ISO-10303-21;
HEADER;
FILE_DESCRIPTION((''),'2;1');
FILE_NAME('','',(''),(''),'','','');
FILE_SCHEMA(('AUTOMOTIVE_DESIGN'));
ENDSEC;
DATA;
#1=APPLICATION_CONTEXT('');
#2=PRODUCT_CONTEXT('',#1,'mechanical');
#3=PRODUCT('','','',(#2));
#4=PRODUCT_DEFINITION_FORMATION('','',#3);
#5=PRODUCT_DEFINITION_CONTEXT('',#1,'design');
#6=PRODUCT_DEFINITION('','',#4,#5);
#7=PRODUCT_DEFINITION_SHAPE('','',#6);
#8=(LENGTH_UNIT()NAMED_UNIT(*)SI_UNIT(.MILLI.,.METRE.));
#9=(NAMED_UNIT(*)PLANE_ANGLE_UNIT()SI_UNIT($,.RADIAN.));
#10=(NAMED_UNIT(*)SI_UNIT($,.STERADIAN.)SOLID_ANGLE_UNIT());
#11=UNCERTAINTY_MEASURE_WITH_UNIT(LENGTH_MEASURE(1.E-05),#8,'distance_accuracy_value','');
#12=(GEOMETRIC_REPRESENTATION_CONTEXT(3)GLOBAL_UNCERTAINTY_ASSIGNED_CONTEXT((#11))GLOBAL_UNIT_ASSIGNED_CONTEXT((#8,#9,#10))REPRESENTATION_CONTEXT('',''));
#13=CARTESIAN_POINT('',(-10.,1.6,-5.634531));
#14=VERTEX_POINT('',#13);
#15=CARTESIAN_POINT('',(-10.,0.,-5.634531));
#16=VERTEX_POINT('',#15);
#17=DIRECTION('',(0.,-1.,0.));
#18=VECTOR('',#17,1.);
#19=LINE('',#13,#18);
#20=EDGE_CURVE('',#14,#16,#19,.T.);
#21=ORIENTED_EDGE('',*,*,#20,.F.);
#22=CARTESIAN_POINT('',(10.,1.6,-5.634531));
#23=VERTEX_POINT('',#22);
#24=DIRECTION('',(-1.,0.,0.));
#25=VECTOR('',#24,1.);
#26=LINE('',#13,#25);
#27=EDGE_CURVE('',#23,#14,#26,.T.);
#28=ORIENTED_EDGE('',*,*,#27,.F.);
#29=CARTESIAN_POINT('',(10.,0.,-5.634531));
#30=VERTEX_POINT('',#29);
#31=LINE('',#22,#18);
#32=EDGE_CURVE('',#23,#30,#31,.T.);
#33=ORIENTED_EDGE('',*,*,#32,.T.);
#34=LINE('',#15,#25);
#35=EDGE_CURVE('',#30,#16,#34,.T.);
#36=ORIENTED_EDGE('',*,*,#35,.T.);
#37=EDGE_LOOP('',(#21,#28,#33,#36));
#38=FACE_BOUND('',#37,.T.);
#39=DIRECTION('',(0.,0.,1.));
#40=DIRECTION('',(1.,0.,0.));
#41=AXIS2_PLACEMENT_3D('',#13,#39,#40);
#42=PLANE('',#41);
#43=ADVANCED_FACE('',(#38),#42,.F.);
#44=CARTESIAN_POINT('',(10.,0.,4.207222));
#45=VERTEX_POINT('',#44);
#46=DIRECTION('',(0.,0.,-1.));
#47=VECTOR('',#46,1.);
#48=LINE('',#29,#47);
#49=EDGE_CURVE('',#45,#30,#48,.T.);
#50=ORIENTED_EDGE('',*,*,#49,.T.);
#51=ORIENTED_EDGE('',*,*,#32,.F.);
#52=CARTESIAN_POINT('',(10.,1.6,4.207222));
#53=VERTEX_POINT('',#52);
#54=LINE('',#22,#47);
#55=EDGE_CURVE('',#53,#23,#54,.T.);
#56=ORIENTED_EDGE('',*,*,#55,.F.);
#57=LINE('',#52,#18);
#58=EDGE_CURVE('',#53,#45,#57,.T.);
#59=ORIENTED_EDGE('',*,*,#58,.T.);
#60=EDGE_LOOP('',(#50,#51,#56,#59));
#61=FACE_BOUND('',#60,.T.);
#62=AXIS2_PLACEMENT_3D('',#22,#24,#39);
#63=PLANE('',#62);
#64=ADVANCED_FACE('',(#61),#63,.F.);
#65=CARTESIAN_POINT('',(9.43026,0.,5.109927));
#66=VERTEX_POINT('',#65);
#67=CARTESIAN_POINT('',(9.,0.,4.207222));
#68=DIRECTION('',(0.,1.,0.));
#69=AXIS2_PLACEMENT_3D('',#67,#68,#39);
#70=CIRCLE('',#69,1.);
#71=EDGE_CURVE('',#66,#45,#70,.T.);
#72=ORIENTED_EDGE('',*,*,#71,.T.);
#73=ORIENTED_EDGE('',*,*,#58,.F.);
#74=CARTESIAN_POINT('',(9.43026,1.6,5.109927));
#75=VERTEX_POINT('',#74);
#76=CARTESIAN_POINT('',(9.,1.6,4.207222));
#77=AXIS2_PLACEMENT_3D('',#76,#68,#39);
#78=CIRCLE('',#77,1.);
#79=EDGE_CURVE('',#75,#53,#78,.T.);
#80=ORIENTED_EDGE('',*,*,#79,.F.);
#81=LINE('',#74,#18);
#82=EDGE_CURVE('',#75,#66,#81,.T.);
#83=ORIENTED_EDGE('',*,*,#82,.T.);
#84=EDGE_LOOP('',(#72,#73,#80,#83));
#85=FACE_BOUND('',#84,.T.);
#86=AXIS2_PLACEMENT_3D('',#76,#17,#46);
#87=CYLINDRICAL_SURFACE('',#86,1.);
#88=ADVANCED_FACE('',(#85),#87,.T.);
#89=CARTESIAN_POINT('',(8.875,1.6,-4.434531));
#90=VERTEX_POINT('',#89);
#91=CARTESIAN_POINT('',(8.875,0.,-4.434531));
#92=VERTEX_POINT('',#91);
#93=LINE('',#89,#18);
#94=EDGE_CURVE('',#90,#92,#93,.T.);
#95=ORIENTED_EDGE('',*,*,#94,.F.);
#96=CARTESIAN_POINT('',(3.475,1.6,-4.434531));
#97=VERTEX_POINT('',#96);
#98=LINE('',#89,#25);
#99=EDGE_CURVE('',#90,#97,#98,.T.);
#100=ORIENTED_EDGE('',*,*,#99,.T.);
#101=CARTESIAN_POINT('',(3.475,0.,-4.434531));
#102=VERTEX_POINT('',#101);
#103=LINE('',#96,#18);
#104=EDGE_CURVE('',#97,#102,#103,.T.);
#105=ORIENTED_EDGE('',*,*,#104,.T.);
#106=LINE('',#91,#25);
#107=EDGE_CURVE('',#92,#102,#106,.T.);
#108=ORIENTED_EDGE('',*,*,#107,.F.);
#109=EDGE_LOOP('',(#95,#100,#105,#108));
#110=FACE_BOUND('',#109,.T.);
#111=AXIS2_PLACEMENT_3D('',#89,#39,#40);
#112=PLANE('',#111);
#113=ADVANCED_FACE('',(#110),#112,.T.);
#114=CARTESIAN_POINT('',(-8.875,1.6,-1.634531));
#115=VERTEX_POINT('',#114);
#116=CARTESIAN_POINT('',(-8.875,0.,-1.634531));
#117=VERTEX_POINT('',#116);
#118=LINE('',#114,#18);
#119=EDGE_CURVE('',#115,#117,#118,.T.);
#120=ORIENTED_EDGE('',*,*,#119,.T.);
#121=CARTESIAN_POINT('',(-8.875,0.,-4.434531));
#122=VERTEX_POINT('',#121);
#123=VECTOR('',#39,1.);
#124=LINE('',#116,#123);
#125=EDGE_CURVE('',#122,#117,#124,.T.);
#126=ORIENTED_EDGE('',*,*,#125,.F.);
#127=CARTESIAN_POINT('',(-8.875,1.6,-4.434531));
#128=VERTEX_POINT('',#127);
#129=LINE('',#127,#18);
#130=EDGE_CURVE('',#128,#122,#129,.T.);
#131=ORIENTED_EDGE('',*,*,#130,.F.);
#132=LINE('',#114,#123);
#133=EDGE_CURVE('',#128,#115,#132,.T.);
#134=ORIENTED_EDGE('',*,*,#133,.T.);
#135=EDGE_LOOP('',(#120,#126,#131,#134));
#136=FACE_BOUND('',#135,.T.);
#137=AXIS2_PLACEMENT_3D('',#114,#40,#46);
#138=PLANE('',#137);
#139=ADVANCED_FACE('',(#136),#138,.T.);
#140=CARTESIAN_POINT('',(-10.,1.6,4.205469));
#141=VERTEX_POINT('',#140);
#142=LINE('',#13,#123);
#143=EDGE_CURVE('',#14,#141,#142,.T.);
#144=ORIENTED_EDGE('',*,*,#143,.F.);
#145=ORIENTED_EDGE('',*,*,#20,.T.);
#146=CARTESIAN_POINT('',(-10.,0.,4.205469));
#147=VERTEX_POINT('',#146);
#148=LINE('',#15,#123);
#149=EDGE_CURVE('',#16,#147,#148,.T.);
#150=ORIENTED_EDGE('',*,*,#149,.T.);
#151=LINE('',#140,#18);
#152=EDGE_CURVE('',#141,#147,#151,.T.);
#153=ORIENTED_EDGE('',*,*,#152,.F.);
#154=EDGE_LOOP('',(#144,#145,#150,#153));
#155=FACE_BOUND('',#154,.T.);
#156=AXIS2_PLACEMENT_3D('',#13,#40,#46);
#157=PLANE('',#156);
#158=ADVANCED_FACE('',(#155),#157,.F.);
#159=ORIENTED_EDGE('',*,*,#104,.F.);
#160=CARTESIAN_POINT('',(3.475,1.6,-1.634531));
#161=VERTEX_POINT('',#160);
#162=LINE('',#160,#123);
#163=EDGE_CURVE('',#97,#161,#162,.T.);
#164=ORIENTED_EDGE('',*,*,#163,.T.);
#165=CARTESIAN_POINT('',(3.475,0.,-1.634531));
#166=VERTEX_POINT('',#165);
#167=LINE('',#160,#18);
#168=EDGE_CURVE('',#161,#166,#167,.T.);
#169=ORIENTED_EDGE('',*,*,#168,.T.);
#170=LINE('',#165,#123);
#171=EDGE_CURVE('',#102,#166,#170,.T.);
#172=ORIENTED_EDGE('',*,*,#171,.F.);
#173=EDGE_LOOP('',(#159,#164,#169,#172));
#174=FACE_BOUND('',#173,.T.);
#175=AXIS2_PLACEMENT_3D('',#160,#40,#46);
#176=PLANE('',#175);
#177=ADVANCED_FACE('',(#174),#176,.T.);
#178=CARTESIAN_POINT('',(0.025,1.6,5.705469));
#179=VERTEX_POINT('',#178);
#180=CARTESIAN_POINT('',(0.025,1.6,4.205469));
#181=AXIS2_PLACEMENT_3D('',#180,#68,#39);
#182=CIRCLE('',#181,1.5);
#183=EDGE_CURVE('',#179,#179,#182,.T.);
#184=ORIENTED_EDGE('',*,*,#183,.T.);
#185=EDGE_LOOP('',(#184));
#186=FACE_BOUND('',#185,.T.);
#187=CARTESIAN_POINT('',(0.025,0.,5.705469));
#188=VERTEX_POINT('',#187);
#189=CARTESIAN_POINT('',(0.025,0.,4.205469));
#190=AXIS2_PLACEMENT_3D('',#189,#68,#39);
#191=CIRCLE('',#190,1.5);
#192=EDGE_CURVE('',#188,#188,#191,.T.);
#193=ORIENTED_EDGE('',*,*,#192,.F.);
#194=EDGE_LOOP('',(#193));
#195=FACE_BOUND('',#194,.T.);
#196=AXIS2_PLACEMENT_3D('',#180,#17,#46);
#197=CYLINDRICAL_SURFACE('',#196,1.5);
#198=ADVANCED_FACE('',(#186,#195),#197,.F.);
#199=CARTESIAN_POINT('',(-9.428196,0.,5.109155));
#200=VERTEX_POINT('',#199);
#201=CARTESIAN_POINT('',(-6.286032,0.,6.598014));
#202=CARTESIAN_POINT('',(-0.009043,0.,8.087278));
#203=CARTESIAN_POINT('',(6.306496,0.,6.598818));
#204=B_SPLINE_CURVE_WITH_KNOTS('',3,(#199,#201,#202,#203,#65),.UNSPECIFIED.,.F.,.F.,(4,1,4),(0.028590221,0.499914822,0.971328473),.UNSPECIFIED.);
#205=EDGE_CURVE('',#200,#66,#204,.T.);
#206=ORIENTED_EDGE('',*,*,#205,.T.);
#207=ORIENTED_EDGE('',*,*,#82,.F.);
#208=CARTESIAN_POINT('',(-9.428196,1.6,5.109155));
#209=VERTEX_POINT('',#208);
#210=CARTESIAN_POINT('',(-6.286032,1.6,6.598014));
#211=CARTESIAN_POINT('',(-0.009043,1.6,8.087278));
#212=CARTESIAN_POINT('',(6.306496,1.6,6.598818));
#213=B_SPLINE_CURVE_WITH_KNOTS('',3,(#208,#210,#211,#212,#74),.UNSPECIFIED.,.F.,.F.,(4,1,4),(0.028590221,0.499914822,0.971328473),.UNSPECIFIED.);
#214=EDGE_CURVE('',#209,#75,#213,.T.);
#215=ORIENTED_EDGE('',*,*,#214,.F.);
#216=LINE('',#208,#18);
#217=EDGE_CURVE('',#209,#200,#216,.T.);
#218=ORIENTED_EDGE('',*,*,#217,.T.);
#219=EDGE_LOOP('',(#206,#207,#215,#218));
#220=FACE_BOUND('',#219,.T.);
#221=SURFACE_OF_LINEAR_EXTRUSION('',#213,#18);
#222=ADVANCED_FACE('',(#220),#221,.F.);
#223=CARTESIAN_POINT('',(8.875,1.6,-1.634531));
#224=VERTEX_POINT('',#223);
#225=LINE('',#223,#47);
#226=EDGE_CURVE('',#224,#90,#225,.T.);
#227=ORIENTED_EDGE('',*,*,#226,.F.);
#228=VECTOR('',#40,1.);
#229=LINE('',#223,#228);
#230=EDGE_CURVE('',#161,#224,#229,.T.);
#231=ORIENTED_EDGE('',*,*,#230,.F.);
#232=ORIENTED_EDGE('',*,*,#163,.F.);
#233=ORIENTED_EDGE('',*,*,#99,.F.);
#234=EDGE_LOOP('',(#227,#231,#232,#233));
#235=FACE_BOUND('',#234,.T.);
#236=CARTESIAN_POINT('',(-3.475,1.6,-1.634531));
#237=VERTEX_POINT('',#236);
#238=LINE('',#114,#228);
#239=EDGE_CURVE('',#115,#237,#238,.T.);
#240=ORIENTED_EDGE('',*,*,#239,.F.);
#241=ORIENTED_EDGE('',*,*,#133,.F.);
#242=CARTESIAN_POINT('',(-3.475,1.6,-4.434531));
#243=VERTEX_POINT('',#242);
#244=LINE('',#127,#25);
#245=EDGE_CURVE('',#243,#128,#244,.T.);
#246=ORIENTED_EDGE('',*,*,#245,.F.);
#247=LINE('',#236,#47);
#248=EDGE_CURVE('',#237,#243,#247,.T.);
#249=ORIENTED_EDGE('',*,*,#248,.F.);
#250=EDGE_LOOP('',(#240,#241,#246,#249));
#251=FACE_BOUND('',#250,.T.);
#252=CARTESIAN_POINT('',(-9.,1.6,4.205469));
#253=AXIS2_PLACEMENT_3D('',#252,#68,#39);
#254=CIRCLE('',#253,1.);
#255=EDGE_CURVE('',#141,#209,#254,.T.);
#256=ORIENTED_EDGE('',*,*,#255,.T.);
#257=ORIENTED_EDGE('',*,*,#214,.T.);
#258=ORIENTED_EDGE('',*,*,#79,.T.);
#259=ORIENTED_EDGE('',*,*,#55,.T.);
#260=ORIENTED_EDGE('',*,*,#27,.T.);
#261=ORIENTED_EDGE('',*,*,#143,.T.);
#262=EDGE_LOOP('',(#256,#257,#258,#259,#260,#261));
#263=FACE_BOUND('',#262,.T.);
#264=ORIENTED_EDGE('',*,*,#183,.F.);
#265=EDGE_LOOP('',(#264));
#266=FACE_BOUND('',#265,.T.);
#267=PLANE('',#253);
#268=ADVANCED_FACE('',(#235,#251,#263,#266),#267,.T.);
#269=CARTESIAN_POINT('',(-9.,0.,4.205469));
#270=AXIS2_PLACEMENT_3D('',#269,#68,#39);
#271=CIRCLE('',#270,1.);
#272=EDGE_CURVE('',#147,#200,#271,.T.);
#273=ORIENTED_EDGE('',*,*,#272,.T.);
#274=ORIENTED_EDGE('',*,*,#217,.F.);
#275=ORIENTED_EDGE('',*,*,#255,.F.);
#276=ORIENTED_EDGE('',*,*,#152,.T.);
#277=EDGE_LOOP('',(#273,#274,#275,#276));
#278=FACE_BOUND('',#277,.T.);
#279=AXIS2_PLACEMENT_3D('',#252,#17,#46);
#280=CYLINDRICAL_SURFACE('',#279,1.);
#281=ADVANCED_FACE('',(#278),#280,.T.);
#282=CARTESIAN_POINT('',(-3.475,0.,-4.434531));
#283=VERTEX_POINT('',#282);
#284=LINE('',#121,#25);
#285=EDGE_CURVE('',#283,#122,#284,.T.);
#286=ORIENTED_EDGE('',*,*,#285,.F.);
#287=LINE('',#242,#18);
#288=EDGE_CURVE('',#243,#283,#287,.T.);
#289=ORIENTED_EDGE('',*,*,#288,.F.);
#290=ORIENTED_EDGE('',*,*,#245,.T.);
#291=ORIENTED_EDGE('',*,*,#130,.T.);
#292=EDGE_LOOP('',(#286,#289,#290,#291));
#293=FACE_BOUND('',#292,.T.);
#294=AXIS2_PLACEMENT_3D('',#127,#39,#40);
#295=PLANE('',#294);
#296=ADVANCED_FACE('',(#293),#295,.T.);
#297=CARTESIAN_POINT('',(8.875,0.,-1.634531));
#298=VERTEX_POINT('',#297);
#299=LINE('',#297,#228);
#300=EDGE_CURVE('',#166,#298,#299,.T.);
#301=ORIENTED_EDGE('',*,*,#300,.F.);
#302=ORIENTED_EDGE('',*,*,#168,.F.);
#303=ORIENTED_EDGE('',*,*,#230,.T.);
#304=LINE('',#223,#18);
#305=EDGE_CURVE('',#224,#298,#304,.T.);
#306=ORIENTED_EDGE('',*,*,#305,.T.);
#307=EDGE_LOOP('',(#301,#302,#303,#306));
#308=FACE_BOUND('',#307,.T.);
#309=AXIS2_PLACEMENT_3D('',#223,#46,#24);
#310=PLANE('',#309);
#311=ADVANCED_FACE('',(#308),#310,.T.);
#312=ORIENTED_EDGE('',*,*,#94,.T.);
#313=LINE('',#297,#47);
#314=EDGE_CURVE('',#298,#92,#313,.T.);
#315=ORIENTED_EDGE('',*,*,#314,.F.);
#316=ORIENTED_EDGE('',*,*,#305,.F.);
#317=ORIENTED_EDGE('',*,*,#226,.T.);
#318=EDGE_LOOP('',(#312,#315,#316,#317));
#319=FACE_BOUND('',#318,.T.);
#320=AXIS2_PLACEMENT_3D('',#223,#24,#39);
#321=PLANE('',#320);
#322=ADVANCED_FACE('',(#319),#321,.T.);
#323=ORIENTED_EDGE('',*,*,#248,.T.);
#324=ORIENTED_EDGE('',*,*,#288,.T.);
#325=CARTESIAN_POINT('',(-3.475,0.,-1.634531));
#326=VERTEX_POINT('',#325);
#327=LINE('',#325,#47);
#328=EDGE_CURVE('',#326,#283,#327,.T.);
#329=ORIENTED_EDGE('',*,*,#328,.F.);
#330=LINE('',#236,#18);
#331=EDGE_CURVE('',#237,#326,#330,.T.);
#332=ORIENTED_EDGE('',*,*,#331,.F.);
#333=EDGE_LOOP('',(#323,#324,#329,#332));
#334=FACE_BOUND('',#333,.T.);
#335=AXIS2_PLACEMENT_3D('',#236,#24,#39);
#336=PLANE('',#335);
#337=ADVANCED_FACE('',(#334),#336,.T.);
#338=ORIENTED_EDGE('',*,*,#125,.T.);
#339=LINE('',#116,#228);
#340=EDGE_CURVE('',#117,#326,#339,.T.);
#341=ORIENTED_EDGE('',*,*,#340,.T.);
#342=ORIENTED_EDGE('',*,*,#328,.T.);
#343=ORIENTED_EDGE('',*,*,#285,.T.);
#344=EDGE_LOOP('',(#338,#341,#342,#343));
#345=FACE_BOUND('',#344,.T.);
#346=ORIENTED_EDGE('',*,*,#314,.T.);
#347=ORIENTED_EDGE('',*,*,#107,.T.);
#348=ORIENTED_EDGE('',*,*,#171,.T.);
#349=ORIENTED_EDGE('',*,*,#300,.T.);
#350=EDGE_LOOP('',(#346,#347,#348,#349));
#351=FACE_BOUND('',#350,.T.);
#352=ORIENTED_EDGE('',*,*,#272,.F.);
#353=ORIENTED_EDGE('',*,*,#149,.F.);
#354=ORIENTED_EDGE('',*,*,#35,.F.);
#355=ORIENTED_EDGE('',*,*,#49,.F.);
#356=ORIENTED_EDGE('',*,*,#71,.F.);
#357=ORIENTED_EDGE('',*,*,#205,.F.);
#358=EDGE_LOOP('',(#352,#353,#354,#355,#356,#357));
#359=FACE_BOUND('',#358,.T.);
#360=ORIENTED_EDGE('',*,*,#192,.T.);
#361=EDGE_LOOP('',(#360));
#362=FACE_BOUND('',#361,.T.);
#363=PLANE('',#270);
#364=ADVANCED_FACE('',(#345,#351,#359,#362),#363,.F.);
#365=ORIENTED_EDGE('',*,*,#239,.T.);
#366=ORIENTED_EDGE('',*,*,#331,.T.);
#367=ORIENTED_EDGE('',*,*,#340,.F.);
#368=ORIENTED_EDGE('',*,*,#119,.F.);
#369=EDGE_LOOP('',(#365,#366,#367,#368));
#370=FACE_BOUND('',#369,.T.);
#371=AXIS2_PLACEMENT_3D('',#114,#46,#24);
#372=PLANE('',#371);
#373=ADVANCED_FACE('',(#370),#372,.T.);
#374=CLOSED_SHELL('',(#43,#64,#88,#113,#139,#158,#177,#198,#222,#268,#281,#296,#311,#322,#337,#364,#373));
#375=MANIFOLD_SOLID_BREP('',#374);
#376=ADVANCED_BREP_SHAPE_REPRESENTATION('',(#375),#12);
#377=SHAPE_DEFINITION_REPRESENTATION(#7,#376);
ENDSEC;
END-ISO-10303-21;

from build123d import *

# Parameters (mm, degrees)
SKETCH_1_R      = 1.5
SKETCH_1_W      = 5.4
SKETCH_1_H      = 2.8
EXTRUDE_1_DEPTH = 1.6


with BuildPart() as part:
    # 스케치1 → 보스-돌출1 (new body)
    with BuildSketch(Plane(origin=(0, 0, 0), x_dir=(1, 0, 0), z_dir=(0, 1, 0))):
        with BuildLine():
            Line((-10, 5.634530717), (10, 5.634530717))
            Line((10, 5.634530717), (10, -4.207222136))
            ThreePointArc((10, -4.207222136), (9.845653495, -4.740954435), (9.430259666, -5.109927304))
            add(Edge.make_bspline(
                [(-9.428195587, -5.109155368), (-6.286031575, -6.598013928), (-0.00904299, -8.087277746), (6.306496469, -6.598817984), (9.430259666, -5.109927304)],
                knots=[0.028590221, 0.028590221, 0.028590221, 0.028590221, 0.499914822, 0.971328473, 0.971328473, 0.971328473, 0.971328473], degree=3))
            ThreePointArc((-9.428195587, -5.109155368), (-9.845043072, -4.740167522), (-10, -4.205469283))
            Line((-10, -4.205469283), (-10, 5.634530717))
        make_face()
        with Locations(Location((0.025, -4.205469283, 0), (0, 0, 270))):
            Circle(SKETCH_1_R, mode=Mode.SUBTRACT)
        with Locations((6.175, 3.034530717)):
            Rectangle(SKETCH_1_W, SKETCH_1_H, mode=Mode.SUBTRACT)
        with Locations((-6.175, 3.034530717)):
            Rectangle(SKETCH_1_W, SKETCH_1_H, mode=Mode.SUBTRACT)
    extrude(amount=EXTRUDE_1_DEPTH)


solid = part.part
